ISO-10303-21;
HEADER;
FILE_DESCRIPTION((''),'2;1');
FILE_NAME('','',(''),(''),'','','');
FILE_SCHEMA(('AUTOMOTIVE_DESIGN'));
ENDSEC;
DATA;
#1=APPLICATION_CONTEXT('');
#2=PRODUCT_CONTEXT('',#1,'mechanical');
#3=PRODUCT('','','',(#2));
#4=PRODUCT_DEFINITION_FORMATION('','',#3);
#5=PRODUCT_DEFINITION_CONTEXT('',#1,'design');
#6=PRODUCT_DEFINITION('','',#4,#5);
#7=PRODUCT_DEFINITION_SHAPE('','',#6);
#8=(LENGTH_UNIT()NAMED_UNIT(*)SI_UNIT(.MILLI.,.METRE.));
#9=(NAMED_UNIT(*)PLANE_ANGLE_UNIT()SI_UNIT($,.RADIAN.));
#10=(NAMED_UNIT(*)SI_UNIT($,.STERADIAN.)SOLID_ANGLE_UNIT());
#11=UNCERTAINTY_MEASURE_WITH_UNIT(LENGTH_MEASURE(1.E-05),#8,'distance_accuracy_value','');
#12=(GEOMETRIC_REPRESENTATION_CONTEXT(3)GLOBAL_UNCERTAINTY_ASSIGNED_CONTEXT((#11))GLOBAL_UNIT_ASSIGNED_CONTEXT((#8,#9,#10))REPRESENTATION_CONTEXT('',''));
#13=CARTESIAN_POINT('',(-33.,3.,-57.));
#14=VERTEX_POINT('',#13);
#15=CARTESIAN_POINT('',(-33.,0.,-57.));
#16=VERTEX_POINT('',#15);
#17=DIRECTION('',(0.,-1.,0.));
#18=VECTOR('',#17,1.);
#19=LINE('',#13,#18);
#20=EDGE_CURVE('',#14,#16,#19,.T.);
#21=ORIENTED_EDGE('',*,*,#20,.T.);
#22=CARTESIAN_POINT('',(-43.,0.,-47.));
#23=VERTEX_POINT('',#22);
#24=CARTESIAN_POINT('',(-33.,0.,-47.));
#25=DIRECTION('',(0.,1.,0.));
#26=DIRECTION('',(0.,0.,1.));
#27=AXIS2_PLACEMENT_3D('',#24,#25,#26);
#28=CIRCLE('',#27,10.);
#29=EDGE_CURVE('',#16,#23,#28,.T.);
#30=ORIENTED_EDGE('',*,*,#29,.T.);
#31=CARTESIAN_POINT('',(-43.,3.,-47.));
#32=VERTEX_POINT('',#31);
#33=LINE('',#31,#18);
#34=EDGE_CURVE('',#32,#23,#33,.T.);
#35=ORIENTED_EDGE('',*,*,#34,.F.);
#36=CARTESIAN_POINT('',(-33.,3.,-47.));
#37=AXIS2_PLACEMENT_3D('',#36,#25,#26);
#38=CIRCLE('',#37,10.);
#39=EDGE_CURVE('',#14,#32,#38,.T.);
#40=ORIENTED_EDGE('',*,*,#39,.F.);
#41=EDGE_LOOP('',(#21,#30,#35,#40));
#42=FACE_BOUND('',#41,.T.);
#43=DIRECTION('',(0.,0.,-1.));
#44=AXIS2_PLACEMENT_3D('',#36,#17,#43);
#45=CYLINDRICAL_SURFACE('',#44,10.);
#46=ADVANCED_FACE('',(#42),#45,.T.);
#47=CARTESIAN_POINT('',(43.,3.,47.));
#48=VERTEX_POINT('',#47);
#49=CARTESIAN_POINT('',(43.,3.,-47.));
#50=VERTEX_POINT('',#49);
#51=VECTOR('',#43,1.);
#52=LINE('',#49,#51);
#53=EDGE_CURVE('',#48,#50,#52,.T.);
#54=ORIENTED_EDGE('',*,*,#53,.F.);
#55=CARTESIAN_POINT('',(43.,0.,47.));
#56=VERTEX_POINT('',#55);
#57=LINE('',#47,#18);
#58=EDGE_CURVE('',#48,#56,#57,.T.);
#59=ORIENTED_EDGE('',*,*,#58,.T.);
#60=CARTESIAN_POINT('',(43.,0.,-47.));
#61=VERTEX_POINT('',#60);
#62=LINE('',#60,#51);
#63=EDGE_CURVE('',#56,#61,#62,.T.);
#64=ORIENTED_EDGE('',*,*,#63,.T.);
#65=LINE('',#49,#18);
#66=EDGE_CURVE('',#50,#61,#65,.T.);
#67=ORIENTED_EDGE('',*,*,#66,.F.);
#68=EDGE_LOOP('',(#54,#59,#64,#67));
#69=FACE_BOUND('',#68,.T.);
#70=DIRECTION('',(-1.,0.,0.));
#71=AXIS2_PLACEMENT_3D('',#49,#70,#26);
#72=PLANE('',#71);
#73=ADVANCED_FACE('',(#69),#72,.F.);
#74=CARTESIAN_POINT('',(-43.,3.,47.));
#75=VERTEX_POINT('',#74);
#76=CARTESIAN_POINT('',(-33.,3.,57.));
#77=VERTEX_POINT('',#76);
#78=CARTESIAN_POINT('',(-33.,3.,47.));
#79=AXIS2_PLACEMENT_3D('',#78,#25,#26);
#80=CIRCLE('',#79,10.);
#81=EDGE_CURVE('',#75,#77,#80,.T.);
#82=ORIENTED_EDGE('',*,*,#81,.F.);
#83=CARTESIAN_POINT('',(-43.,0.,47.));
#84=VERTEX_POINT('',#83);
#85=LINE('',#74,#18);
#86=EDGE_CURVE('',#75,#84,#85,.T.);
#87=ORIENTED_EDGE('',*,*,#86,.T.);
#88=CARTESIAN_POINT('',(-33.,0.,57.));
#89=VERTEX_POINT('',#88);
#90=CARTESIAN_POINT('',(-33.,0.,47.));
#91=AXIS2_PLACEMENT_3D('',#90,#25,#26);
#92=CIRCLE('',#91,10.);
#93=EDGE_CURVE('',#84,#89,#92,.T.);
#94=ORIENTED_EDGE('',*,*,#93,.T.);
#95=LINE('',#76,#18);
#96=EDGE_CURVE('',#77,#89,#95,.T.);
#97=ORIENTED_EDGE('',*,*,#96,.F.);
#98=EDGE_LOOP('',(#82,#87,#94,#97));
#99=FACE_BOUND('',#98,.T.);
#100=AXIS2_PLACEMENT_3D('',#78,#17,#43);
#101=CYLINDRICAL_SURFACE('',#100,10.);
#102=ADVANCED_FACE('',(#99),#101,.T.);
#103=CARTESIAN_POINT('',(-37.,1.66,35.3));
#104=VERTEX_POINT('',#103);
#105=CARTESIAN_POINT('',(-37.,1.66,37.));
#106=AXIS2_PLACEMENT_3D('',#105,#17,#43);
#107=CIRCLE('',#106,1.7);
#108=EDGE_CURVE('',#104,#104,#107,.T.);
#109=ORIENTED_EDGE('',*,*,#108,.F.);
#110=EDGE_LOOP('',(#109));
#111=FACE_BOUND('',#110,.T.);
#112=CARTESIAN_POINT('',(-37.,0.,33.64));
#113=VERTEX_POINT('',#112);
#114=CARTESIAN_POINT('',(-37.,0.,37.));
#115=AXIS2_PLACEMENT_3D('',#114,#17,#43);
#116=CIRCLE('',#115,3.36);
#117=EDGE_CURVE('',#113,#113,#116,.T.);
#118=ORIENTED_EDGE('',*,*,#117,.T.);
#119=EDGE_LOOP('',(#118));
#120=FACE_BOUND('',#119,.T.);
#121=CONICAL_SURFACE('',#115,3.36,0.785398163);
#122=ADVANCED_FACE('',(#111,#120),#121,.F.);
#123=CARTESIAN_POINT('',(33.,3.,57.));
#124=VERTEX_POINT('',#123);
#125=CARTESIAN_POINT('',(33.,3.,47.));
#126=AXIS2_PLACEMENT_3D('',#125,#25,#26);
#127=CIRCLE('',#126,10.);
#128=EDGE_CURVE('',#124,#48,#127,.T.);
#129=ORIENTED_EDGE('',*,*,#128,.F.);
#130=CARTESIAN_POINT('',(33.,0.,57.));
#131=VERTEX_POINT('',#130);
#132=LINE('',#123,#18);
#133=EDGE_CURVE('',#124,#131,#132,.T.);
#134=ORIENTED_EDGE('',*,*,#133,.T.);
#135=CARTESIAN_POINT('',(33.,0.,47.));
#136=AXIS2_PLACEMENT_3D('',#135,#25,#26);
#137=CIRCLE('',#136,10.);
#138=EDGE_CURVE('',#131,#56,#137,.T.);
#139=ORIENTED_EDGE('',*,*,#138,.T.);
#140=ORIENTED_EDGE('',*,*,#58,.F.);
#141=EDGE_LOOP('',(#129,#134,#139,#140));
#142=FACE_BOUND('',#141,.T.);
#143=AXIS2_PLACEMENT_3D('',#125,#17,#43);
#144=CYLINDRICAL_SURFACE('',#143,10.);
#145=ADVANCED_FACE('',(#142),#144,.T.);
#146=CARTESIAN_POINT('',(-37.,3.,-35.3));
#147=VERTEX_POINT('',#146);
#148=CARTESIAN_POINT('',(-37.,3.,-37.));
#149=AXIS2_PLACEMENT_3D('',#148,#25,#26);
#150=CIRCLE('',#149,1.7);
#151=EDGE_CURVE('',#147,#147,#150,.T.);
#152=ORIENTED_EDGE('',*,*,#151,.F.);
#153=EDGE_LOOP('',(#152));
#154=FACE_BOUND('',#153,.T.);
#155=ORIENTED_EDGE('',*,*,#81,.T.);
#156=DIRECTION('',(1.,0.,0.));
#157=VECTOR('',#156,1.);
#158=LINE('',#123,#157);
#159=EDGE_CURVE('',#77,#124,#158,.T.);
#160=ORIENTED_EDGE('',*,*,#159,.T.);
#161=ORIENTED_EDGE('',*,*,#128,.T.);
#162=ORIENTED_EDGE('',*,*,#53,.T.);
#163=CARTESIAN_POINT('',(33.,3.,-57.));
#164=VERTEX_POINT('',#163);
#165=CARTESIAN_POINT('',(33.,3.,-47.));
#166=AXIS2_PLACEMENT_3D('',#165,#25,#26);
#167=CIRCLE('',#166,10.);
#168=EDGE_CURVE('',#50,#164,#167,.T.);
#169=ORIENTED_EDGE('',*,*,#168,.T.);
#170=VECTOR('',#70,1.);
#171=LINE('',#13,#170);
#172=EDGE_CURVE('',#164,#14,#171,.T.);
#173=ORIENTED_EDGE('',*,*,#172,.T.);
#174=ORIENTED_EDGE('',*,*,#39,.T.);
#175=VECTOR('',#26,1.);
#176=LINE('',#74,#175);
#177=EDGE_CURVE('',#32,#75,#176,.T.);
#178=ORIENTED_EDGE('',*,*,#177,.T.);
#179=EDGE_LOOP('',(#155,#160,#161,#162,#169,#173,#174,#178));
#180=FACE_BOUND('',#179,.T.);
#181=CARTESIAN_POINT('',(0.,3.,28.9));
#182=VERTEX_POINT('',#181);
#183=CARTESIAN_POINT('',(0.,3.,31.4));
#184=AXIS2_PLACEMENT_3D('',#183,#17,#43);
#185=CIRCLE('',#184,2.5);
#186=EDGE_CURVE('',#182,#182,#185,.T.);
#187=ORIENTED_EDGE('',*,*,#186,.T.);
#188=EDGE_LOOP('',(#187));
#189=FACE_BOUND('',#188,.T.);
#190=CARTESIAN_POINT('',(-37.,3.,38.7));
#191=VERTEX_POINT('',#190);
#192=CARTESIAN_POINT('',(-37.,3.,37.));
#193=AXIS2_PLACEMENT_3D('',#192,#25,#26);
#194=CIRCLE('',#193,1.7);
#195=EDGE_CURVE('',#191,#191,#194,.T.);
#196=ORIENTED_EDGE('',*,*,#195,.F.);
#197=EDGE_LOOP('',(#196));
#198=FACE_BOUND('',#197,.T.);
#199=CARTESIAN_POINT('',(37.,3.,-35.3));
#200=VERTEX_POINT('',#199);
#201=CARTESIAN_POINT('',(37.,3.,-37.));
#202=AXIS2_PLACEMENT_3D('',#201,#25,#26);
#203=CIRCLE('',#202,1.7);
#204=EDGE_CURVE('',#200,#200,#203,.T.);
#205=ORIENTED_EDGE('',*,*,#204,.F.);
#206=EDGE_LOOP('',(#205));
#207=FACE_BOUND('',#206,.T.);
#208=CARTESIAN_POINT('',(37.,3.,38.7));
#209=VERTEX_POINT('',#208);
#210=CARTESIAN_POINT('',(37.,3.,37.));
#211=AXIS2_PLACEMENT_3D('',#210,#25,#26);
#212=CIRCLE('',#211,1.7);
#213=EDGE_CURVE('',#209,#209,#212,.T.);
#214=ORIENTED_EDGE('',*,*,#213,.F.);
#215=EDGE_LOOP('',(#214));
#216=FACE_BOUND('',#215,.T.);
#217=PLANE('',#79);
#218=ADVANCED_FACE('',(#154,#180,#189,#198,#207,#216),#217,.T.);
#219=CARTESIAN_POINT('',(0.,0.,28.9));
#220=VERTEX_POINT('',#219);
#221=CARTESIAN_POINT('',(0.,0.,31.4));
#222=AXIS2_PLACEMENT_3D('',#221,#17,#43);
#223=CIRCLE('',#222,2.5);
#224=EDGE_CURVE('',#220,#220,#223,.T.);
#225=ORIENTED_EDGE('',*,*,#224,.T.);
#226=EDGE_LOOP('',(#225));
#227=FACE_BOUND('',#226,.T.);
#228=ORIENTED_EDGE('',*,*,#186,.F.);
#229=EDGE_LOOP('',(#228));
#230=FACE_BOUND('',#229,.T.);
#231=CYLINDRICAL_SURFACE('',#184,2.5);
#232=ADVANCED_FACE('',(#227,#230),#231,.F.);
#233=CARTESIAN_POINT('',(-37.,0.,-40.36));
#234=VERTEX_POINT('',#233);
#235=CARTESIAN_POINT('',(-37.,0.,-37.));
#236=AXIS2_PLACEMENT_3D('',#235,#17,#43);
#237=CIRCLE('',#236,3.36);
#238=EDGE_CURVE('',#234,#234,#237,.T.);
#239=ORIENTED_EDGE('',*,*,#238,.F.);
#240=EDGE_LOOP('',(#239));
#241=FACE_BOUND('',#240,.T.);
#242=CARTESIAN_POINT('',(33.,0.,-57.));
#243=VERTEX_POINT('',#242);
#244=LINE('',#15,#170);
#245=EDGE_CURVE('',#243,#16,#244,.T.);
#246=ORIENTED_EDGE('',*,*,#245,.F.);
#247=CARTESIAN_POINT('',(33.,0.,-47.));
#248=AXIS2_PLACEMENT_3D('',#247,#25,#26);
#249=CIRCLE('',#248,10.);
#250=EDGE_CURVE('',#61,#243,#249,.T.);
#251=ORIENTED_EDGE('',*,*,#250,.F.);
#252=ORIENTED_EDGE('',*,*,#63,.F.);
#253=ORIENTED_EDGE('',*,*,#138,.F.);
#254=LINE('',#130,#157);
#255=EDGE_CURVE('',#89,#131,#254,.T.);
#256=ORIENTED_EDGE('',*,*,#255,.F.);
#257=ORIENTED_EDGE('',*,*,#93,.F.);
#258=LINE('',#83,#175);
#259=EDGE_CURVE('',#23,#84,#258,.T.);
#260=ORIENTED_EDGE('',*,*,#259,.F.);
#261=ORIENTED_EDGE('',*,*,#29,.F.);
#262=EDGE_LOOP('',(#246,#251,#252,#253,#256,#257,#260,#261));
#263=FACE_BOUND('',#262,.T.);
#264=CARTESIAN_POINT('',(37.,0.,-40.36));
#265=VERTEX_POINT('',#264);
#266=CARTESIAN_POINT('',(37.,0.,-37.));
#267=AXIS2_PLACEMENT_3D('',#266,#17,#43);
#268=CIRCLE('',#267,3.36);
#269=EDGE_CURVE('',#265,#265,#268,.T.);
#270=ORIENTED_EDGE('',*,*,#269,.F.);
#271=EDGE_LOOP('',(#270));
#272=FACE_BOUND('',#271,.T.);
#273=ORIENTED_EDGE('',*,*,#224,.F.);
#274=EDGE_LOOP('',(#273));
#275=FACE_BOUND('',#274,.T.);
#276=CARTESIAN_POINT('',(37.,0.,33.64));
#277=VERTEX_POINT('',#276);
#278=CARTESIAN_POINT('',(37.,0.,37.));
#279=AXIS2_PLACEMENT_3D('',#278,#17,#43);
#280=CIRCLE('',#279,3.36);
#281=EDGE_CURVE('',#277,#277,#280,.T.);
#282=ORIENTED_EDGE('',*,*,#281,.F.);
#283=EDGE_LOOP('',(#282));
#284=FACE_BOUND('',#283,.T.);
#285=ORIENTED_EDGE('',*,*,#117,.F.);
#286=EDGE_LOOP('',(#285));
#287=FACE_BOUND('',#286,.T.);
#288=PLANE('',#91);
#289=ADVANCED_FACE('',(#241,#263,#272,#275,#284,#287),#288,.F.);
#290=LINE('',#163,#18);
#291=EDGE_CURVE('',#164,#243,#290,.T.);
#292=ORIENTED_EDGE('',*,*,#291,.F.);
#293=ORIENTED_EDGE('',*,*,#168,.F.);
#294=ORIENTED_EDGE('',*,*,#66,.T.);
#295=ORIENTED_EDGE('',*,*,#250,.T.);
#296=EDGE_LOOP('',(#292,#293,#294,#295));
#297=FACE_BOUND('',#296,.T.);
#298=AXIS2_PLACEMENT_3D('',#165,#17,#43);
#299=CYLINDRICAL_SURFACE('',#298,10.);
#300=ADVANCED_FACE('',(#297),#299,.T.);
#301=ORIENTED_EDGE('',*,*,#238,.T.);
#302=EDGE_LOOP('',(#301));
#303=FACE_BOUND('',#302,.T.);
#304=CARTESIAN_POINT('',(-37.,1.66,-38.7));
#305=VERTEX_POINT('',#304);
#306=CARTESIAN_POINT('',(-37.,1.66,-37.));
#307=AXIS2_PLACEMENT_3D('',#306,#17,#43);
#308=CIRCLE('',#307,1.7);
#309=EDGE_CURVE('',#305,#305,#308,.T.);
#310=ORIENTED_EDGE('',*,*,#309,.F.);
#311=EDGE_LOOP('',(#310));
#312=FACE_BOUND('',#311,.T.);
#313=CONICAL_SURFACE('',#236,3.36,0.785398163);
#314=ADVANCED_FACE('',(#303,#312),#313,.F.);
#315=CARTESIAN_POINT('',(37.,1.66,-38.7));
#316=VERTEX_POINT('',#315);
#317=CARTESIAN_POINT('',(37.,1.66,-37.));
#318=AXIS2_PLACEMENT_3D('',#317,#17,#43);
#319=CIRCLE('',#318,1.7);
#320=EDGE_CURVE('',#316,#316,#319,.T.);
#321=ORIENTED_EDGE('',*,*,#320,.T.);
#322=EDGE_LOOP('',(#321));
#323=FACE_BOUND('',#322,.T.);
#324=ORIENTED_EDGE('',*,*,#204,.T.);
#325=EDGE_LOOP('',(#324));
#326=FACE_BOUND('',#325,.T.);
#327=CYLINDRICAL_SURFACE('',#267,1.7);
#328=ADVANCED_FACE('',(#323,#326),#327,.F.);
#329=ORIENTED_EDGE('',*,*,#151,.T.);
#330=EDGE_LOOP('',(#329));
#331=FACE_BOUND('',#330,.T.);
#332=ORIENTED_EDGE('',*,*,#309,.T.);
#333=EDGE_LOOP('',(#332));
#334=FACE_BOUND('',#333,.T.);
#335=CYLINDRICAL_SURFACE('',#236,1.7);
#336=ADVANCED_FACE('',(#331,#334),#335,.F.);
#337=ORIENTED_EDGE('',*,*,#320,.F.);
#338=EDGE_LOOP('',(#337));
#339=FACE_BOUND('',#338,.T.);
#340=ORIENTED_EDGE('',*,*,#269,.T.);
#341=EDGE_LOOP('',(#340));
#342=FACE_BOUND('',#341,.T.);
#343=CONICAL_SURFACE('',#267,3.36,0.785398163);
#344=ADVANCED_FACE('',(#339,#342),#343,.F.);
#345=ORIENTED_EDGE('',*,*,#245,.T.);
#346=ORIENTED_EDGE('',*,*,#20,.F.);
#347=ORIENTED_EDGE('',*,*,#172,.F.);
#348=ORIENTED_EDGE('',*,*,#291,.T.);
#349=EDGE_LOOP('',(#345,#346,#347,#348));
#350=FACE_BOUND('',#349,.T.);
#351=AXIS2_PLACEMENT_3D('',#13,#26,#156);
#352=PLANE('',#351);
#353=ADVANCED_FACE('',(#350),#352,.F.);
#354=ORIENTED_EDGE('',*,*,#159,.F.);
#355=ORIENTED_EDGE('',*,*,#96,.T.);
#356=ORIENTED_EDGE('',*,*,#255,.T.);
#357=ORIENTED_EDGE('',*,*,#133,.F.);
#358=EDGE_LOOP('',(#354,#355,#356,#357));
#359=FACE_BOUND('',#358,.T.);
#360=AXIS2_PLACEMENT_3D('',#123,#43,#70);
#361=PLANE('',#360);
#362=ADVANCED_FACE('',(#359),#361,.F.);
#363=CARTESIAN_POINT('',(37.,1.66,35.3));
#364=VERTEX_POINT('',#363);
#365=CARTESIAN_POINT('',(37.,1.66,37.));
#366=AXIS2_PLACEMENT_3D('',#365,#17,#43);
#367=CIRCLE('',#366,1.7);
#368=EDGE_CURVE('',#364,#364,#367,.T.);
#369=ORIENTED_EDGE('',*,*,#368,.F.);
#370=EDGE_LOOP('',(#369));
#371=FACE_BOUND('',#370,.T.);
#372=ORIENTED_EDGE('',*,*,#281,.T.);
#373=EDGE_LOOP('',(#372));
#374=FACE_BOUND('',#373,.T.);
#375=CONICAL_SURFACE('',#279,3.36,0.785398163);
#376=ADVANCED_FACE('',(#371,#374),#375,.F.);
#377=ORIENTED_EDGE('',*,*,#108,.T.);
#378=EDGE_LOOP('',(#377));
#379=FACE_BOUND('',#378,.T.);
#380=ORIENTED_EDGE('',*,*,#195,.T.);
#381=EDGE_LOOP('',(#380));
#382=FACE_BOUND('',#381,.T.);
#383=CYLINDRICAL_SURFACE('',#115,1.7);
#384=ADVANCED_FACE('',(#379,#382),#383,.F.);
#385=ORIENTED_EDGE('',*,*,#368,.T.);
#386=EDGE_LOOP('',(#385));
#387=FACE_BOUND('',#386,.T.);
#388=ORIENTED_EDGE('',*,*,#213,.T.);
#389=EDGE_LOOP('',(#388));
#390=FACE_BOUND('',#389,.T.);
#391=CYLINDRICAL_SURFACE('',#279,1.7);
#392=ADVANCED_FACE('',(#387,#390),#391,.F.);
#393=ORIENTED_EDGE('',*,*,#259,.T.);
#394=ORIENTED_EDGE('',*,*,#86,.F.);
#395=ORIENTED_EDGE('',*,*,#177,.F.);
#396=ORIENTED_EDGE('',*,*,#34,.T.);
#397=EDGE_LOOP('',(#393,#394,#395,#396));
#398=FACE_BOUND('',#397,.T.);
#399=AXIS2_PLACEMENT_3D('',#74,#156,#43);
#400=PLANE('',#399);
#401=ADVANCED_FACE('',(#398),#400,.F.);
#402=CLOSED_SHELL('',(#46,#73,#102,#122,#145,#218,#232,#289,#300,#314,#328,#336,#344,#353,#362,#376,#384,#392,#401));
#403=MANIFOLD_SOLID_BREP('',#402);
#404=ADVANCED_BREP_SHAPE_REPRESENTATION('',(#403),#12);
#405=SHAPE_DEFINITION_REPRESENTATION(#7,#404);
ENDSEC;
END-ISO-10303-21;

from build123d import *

# Parameters (mm, degrees)
BOSS_EXTRUDE1_DEPTH                                  = 3
SKETCH3_R                                            = 2.5
CUT_EXTRUDE1_DEPTH                                   = 3
CSK_FOR_M3_HEX_SOCKET_COUNTERSUNK_CAP_SC_D           = 3.4
CSK_FOR_M3_HEX_SOCKET_COUNTERSUNK_CAP_SC_DEPTH       = 20
CSK_FOR_M3_HEX_SOCKET_COUNTERSUNK_CAP_SC_CSINK_D     = 6.72
CSK_FOR_M3_HEX_SOCKET_COUNTERSUNK_CAP_SC_CSINK_ANGLE = 90
CSK_FOR_M3_HEX_SOCKET_COUNTERSUNK_CAP_SC_TIP         = 1.021463052


with BuildPart() as part:
    # Sketch1 → Boss-Extrude1 (new body)
    with BuildSketch(Plane(origin=(0, 0, 0), x_dir=(1, 0, 0), z_dir=(0, 1, 0))):
        with BuildLine():
            Line((33, -57), (-33, -57))
            ThreePointArc((-33, -57), (-40.071067812, -54.071067812), (-43, -47))
            Line((-43, -47), (-43, 47))
            ThreePointArc((-43, 47), (-40.071067812, 54.071067812), (-33, 57))
            Line((-33, 57), (33, 57))
            ThreePointArc((33, 57), (40.071067812, 54.071067812), (43, 47))
            Line((43, 47), (43, -47))
            ThreePointArc((43, -47), (40.071067812, -54.071067812), (33, -57))
        make_face()
    extrude(amount=BOSS_EXTRUDE1_DEPTH)

    # Sketch3 → Cut-Extrude1 (cut)
    with BuildSketch(Plane.XZ):
        with Locations(Location((0, 31.4, 0), (0, 0, 270))):
            Circle(SKETCH3_R)
    extrude(amount=-CUT_EXTRUDE1_DEPTH, mode=Mode.SUBTRACT)

    # CSK for M3 Hex Socket Countersunk Cap Screw1
    with Locations(Plane(origin=(0, 0, 0), x_dir=(-1, 0, 0), z_dir=(0, -1, 0))):
        with Locations((37, 37), (37, -37), (-37, 37), (-37, -37)):
            CounterSinkHole(CSK_FOR_M3_HEX_SOCKET_COUNTERSUNK_CAP_SC_D / 2, CSK_FOR_M3_HEX_SOCKET_COUNTERSUNK_CAP_SC_CSINK_D / 2, depth=CSK_FOR_M3_HEX_SOCKET_COUNTERSUNK_CAP_SC_DEPTH, counter_sink_angle=CSK_FOR_M3_HEX_SOCKET_COUNTERSUNK_CAP_SC_CSINK_ANGLE)
            with Locations((0, 0, -(CSK_FOR_M3_HEX_SOCKET_COUNTERSUNK_CAP_SC_DEPTH + CSK_FOR_M3_HEX_SOCKET_COUNTERSUNK_CAP_SC_TIP / 2))):  # 118° drill point
                Cone(0, CSK_FOR_M3_HEX_SOCKET_COUNTERSUNK_CAP_SC_D / 2, CSK_FOR_M3_HEX_SOCKET_COUNTERSUNK_CAP_SC_TIP, mode=Mode.SUBTRACT)


solid = part.part
